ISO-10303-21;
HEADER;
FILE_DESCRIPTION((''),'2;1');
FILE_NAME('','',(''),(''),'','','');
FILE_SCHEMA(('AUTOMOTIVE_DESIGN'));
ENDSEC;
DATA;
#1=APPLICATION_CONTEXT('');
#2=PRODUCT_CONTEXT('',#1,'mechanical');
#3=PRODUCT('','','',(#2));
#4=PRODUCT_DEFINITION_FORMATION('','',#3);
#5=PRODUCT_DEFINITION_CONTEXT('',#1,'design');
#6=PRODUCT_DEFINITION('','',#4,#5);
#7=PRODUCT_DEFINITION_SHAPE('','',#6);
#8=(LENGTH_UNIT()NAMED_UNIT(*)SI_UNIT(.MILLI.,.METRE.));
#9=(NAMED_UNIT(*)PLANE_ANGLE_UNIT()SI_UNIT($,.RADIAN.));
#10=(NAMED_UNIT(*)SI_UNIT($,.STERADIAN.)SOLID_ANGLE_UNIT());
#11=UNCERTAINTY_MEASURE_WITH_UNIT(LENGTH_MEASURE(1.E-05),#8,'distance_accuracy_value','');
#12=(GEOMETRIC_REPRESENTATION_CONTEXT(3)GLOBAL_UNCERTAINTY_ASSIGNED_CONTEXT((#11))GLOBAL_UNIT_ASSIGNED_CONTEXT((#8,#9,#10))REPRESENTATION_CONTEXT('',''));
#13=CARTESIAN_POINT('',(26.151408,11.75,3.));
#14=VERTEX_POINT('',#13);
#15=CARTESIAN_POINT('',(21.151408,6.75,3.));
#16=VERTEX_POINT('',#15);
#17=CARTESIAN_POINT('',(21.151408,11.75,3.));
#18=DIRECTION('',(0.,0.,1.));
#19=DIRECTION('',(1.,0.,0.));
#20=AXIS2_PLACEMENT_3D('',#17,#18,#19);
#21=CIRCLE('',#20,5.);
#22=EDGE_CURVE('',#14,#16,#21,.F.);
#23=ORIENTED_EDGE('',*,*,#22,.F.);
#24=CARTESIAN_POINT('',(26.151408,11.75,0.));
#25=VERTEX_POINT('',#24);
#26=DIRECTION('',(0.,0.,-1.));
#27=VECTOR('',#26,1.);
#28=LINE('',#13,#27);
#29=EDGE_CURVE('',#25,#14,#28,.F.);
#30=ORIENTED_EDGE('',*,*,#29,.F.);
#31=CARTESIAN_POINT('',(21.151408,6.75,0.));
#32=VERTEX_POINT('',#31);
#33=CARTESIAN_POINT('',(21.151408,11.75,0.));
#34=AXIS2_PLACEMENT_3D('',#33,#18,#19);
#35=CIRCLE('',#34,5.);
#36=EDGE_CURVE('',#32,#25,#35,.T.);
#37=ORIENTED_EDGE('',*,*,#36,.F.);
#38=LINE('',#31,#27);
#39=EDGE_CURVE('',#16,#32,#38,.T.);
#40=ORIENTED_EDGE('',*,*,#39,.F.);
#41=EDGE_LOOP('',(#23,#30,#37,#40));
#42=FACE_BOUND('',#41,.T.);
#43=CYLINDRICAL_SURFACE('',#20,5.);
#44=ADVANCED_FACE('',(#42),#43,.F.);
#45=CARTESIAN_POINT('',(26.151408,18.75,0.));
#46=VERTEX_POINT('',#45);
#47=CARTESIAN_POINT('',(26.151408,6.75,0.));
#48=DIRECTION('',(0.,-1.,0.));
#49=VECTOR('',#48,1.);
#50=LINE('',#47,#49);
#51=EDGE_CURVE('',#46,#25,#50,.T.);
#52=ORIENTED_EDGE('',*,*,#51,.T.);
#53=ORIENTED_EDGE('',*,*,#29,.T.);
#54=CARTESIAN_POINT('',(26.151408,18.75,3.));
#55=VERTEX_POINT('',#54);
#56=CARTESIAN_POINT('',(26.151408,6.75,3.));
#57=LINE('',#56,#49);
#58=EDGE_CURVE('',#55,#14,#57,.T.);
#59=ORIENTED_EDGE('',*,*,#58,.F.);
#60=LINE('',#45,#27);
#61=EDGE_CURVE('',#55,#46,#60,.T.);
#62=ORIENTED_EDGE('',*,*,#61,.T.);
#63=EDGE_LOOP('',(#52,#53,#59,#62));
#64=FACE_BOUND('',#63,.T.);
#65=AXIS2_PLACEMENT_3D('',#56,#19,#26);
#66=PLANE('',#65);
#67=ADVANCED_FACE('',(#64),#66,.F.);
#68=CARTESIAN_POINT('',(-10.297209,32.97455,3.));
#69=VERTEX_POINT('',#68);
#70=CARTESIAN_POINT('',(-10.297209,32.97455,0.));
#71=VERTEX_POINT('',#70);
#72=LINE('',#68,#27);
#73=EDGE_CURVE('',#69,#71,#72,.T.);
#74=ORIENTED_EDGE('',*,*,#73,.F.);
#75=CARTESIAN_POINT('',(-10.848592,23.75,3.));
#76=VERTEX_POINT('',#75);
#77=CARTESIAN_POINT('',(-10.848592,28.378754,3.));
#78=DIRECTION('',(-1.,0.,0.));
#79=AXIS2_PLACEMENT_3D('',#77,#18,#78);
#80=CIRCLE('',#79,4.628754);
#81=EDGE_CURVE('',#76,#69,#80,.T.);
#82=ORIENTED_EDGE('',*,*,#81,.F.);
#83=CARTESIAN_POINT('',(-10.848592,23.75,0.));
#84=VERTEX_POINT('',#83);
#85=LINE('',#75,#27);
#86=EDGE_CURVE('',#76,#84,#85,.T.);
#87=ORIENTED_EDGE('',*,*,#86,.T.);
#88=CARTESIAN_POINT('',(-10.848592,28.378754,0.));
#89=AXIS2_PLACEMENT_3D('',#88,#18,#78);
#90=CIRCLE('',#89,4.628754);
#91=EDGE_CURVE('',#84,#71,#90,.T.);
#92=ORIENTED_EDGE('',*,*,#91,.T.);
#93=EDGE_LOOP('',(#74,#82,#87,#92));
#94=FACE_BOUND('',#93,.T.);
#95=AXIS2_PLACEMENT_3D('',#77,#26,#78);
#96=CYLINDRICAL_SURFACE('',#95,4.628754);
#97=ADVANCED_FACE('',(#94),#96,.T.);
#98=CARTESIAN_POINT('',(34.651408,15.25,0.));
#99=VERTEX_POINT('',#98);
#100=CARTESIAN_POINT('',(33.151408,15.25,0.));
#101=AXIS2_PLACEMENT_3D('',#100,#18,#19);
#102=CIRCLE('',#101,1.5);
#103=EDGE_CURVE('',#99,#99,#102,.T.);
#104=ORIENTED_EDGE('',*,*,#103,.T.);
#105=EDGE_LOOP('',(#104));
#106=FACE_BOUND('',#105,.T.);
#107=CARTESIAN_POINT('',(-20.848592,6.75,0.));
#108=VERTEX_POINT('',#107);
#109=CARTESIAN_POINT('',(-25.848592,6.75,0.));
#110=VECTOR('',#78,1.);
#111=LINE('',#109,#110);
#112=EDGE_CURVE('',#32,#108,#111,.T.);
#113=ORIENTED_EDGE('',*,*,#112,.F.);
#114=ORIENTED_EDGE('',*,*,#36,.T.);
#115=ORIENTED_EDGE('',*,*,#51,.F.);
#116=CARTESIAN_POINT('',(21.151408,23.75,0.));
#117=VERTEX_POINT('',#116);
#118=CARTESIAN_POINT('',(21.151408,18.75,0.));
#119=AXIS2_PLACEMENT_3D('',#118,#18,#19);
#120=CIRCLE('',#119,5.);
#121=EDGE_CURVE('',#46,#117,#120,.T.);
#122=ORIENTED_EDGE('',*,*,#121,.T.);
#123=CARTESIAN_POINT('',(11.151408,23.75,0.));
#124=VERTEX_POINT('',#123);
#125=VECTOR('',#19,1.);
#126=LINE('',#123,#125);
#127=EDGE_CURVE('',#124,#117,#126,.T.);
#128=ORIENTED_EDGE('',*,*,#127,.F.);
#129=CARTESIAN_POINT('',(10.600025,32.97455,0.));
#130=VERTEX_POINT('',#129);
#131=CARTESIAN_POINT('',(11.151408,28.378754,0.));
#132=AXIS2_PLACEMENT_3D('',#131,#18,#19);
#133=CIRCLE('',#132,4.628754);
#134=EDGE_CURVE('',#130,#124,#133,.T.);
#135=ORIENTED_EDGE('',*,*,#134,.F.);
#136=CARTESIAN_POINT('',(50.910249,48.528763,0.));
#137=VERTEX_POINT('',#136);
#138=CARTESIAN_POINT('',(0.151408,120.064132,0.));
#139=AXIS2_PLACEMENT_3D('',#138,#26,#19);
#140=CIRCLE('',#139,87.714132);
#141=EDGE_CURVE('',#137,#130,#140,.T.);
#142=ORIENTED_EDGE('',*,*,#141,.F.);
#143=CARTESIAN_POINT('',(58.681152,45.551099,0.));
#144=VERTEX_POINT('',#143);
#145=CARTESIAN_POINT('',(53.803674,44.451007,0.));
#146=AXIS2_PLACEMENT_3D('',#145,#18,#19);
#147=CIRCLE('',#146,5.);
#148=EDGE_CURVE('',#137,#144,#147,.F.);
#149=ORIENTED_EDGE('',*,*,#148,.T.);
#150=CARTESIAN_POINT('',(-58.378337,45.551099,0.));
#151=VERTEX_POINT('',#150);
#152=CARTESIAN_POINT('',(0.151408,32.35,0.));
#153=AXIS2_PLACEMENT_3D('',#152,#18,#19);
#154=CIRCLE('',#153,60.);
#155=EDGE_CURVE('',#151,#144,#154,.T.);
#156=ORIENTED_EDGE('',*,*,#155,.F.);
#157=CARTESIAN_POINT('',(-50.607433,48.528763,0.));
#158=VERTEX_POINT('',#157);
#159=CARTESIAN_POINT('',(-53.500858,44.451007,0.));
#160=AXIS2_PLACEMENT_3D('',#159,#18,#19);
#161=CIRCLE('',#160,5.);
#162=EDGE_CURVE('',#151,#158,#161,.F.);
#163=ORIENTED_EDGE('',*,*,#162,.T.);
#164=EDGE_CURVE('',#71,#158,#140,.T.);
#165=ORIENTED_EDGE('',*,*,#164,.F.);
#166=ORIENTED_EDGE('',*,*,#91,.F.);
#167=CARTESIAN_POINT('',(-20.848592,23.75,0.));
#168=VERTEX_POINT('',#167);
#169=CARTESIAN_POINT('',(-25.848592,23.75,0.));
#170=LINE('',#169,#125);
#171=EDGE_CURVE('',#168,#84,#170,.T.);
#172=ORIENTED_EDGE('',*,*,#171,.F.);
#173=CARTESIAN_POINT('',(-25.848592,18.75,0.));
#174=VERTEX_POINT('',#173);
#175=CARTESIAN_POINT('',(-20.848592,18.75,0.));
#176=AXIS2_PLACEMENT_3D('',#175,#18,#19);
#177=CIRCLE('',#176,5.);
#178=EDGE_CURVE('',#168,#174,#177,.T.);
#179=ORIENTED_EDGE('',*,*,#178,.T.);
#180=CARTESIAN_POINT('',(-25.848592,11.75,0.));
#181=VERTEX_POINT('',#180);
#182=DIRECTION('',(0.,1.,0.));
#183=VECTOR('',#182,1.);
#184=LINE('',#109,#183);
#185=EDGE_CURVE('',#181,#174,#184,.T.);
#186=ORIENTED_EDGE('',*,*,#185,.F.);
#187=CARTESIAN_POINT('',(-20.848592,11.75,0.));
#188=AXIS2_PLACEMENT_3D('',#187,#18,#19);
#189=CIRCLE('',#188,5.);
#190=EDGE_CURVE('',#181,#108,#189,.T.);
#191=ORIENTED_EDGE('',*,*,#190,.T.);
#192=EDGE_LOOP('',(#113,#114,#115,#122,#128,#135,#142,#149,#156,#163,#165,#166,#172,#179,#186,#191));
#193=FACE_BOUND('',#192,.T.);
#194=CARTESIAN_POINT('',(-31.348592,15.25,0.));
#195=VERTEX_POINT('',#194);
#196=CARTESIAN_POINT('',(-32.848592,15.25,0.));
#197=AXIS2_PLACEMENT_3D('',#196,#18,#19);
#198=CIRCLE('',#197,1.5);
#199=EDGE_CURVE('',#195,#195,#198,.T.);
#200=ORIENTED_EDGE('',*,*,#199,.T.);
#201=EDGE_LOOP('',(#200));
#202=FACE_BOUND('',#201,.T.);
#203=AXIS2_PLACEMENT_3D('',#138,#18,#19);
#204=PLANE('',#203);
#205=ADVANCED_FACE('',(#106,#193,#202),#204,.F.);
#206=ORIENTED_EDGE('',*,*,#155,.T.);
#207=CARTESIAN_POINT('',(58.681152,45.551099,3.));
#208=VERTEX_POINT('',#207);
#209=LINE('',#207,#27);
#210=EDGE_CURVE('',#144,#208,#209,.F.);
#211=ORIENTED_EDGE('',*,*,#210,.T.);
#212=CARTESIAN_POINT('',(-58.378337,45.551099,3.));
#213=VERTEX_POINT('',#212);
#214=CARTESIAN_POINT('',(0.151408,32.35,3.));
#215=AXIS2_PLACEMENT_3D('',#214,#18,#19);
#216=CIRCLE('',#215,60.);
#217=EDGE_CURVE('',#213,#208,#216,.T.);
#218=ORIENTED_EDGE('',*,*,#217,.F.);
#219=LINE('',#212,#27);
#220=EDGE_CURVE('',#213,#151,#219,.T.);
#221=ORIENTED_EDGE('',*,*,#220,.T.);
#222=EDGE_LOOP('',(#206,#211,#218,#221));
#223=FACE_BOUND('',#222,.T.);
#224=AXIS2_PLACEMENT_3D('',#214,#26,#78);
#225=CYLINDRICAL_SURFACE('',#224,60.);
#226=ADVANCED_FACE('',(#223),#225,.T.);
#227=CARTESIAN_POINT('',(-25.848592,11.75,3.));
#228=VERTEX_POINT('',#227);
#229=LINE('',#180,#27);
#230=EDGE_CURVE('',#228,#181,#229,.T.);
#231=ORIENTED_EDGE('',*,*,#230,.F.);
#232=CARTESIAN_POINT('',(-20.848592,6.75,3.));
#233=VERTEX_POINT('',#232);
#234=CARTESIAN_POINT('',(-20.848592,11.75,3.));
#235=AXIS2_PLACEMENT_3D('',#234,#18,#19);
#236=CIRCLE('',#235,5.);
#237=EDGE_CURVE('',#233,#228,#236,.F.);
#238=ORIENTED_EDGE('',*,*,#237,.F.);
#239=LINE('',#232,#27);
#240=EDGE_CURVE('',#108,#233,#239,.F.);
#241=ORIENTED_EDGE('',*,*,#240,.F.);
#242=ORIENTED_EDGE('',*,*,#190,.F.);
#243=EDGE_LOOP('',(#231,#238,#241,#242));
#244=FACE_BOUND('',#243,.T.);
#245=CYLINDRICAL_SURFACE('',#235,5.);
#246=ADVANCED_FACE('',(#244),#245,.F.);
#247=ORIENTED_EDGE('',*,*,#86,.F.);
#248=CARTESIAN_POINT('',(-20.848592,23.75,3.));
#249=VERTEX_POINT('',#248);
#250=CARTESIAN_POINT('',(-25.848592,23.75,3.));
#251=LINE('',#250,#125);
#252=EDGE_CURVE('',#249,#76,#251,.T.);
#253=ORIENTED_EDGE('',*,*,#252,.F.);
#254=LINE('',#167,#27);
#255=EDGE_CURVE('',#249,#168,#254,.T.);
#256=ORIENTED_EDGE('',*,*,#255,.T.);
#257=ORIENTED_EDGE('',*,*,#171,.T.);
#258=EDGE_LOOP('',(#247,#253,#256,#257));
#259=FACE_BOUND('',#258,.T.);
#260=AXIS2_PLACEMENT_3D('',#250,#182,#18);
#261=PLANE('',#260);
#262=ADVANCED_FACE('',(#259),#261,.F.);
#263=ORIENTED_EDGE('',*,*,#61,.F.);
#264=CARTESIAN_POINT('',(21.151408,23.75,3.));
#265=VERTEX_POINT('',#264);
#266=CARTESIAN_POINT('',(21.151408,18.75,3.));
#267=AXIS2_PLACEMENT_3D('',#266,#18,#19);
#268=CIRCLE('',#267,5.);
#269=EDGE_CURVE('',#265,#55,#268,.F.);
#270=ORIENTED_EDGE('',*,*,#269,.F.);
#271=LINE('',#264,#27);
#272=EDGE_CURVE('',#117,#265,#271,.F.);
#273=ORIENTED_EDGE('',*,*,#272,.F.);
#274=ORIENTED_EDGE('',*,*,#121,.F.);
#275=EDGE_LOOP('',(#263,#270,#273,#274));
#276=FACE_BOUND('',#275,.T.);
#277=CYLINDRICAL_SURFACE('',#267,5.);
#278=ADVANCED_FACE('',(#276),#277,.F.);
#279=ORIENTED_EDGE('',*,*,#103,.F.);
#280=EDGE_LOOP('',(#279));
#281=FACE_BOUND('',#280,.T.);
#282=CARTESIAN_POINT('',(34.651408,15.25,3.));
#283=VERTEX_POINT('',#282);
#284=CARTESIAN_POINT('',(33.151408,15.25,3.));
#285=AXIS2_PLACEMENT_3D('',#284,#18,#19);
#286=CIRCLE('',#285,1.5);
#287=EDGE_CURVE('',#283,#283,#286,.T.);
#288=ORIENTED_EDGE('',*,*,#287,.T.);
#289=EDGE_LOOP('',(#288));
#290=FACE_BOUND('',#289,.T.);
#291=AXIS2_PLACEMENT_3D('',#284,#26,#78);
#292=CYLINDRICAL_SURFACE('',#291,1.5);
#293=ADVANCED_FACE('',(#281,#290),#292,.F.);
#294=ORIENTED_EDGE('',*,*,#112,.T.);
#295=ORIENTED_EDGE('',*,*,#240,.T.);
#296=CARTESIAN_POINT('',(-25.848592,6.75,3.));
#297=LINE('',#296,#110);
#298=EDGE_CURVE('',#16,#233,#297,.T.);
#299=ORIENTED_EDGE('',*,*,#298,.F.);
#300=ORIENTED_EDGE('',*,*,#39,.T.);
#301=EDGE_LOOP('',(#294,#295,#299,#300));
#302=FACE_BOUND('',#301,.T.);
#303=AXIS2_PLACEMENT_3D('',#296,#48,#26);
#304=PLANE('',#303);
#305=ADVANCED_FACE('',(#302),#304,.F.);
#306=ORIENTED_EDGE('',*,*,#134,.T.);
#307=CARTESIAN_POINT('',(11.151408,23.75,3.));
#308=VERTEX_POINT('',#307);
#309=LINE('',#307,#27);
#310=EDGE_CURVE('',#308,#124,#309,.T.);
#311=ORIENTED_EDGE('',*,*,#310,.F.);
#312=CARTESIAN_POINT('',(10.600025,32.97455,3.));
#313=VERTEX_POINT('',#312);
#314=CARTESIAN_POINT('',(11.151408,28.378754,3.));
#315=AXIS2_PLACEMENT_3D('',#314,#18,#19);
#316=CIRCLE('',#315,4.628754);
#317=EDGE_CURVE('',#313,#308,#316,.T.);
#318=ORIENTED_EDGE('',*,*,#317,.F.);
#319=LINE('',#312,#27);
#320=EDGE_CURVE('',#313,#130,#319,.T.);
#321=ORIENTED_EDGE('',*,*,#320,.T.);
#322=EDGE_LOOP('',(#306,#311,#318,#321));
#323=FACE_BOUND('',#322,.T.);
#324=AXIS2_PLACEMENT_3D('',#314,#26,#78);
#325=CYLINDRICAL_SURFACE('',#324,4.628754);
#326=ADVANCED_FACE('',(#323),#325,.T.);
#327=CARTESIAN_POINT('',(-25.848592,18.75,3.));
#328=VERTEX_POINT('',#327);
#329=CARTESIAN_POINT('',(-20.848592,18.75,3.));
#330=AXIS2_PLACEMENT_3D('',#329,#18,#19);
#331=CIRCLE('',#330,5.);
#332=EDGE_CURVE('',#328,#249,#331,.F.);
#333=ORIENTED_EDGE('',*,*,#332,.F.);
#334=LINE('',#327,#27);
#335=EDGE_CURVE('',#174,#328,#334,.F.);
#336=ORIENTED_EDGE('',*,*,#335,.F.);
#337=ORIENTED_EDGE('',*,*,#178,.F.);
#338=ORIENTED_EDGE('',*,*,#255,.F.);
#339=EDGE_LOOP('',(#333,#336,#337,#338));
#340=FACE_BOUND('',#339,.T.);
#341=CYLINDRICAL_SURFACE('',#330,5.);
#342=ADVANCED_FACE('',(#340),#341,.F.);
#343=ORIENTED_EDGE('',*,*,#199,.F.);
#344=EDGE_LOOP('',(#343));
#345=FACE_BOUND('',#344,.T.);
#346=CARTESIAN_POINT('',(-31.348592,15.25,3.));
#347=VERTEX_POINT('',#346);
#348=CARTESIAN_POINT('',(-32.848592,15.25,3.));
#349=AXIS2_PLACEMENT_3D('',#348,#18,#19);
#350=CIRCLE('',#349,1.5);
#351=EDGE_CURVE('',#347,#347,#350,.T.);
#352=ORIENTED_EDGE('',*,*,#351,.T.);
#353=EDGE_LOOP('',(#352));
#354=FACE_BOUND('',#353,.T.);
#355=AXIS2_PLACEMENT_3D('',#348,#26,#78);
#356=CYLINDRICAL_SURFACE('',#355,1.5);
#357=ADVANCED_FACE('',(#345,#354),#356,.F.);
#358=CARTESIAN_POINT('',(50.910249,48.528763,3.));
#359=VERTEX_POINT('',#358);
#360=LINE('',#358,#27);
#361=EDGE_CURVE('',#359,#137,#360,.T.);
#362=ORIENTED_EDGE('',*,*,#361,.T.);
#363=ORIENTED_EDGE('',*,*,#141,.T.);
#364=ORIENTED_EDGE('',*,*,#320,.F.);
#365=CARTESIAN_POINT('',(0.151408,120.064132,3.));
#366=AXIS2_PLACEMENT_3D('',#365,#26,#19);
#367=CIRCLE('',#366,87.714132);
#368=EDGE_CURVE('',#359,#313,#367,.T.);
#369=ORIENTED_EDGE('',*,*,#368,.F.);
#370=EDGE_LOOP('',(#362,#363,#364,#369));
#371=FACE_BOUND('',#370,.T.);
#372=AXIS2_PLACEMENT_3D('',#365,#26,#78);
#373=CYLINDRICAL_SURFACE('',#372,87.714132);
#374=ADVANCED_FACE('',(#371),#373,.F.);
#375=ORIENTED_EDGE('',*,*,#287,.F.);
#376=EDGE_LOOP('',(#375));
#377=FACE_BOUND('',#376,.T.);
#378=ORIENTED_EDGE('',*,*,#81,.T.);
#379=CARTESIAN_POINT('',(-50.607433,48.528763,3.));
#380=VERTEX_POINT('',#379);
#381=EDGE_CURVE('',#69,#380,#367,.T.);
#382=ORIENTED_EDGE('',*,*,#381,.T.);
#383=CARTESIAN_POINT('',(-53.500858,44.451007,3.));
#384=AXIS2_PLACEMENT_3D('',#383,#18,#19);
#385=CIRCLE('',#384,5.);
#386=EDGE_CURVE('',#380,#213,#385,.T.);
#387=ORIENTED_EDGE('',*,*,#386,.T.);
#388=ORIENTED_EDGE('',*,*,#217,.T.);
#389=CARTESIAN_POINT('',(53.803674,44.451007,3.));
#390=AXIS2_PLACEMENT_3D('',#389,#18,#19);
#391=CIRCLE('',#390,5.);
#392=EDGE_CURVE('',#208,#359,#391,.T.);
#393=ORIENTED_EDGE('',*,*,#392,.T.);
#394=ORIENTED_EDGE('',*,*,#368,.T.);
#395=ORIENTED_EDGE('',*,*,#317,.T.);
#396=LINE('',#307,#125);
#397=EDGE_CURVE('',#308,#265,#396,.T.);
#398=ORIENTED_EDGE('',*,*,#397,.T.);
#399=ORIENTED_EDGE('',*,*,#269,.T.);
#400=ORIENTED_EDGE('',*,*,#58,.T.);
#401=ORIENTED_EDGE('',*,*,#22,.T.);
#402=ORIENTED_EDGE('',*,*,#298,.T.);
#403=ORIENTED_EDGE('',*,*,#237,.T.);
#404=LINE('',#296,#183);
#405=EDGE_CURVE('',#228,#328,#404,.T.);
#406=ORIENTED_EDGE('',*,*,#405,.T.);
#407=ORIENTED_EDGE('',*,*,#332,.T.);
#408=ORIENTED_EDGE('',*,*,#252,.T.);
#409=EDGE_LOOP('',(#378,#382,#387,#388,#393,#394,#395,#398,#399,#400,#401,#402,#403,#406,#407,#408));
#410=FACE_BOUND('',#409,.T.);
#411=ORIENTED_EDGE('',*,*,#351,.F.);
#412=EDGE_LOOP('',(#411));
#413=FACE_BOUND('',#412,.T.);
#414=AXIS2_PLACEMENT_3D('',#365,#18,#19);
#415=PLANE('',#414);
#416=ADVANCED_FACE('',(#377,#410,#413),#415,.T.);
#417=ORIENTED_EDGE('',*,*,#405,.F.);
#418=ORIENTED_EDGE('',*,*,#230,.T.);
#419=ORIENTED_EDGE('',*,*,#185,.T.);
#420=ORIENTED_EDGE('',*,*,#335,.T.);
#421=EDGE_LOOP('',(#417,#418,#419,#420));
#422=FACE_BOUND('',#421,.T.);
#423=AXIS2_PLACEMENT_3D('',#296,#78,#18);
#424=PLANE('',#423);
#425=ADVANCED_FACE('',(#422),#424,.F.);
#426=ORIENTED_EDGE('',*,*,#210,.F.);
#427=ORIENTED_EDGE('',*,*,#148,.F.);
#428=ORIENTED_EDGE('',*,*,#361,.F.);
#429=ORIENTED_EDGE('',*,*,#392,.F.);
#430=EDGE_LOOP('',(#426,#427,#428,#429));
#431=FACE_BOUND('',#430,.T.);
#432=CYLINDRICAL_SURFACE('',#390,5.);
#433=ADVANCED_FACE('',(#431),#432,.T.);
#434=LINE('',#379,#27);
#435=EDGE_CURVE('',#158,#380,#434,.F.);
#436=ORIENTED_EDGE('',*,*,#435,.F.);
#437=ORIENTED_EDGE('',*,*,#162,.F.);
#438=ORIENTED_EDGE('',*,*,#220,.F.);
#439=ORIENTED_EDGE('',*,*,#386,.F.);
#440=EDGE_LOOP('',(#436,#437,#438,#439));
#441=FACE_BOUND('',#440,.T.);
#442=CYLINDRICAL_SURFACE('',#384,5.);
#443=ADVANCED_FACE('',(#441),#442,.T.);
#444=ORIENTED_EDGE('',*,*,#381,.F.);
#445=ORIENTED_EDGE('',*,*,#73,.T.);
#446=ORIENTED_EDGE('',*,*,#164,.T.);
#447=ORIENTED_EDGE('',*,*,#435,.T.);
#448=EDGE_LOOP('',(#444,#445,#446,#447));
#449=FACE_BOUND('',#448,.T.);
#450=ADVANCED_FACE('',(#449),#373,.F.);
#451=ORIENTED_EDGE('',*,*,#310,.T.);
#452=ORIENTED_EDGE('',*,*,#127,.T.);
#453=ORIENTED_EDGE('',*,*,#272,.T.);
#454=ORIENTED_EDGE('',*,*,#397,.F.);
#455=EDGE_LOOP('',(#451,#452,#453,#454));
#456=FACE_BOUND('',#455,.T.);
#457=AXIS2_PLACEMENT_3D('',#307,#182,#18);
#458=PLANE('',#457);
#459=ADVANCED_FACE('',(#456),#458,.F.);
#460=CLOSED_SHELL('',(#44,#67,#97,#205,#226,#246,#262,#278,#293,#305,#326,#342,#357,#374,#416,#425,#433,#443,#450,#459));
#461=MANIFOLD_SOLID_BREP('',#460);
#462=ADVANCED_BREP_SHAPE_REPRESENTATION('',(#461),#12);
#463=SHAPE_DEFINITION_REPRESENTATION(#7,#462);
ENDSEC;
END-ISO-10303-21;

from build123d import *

# Parameters (mm, degrees)
SKETCH1_R           = 1.5
BOSS_EXTRUDE1_DEPTH = 3
FILLET4_R           = 5


with BuildPart() as part:
    # Sketch1 → Boss-Extrude1 (new body)
    with BuildSketch(Plane.XY):
        with BuildLine():
            Line((-25.848592033, 6.75), (26.151407967, 6.75))
            Line((26.151407967, 6.75), (26.151407967, 23.75))
            Line((26.151407967, 23.75), (11.151407967, 23.75))
            ThreePointArc((11.151407967, 23.75), (6.530900978, 28.102570311), (10.600025023, 32.974549649))
            ThreePointArc((10.600025023, 32.974549649), (35.015964593, 39.57666935), (56.532965215, 52.8712086))
            ThreePointArc((56.532965215, 52.8712086), (0.151407967, -27.65), (-56.23014928, 52.8712086))
            ThreePointArc((-56.23014928, 52.8712086), (-34.713148658, 39.57666935), (-10.297209088, 32.974549649))
            ThreePointArc((-10.297209088, 32.974549649), (-6.228085043, 28.102570311), (-10.848592033, 23.75))
            Line((-10.848592033, 23.75), (-25.848592033, 23.75))
            Line((-25.848592033, 23.75), (-25.848592033, 6.75))
        make_face()
        with Locations((-32.848592033, 15.25)):
            Circle(SKETCH1_R, mode=Mode.SUBTRACT)
        with Locations((33.151407967, 15.25)):
            Circle(SKETCH1_R, mode=Mode.SUBTRACT)
    extrude(amount=BOSS_EXTRUDE1_DEPTH)

    # Fillet4
    fillet4_edges = [part.edges().sort_by_distance(p)[0] for p in [
        (-25.848592033, 23.75, 1.5),
        (-25.848592033, 6.75, 1.5),
        (26.151407967, 6.75, 1.5),
        (26.151407967, 23.75, 1.5),
        (56.532965215, 52.8712086, 1.5),
        (-56.23014928, 52.8712086, 1.5),
    ]]
    fillet(fillet4_edges, radius=FILLET4_R)


solid = part.part
